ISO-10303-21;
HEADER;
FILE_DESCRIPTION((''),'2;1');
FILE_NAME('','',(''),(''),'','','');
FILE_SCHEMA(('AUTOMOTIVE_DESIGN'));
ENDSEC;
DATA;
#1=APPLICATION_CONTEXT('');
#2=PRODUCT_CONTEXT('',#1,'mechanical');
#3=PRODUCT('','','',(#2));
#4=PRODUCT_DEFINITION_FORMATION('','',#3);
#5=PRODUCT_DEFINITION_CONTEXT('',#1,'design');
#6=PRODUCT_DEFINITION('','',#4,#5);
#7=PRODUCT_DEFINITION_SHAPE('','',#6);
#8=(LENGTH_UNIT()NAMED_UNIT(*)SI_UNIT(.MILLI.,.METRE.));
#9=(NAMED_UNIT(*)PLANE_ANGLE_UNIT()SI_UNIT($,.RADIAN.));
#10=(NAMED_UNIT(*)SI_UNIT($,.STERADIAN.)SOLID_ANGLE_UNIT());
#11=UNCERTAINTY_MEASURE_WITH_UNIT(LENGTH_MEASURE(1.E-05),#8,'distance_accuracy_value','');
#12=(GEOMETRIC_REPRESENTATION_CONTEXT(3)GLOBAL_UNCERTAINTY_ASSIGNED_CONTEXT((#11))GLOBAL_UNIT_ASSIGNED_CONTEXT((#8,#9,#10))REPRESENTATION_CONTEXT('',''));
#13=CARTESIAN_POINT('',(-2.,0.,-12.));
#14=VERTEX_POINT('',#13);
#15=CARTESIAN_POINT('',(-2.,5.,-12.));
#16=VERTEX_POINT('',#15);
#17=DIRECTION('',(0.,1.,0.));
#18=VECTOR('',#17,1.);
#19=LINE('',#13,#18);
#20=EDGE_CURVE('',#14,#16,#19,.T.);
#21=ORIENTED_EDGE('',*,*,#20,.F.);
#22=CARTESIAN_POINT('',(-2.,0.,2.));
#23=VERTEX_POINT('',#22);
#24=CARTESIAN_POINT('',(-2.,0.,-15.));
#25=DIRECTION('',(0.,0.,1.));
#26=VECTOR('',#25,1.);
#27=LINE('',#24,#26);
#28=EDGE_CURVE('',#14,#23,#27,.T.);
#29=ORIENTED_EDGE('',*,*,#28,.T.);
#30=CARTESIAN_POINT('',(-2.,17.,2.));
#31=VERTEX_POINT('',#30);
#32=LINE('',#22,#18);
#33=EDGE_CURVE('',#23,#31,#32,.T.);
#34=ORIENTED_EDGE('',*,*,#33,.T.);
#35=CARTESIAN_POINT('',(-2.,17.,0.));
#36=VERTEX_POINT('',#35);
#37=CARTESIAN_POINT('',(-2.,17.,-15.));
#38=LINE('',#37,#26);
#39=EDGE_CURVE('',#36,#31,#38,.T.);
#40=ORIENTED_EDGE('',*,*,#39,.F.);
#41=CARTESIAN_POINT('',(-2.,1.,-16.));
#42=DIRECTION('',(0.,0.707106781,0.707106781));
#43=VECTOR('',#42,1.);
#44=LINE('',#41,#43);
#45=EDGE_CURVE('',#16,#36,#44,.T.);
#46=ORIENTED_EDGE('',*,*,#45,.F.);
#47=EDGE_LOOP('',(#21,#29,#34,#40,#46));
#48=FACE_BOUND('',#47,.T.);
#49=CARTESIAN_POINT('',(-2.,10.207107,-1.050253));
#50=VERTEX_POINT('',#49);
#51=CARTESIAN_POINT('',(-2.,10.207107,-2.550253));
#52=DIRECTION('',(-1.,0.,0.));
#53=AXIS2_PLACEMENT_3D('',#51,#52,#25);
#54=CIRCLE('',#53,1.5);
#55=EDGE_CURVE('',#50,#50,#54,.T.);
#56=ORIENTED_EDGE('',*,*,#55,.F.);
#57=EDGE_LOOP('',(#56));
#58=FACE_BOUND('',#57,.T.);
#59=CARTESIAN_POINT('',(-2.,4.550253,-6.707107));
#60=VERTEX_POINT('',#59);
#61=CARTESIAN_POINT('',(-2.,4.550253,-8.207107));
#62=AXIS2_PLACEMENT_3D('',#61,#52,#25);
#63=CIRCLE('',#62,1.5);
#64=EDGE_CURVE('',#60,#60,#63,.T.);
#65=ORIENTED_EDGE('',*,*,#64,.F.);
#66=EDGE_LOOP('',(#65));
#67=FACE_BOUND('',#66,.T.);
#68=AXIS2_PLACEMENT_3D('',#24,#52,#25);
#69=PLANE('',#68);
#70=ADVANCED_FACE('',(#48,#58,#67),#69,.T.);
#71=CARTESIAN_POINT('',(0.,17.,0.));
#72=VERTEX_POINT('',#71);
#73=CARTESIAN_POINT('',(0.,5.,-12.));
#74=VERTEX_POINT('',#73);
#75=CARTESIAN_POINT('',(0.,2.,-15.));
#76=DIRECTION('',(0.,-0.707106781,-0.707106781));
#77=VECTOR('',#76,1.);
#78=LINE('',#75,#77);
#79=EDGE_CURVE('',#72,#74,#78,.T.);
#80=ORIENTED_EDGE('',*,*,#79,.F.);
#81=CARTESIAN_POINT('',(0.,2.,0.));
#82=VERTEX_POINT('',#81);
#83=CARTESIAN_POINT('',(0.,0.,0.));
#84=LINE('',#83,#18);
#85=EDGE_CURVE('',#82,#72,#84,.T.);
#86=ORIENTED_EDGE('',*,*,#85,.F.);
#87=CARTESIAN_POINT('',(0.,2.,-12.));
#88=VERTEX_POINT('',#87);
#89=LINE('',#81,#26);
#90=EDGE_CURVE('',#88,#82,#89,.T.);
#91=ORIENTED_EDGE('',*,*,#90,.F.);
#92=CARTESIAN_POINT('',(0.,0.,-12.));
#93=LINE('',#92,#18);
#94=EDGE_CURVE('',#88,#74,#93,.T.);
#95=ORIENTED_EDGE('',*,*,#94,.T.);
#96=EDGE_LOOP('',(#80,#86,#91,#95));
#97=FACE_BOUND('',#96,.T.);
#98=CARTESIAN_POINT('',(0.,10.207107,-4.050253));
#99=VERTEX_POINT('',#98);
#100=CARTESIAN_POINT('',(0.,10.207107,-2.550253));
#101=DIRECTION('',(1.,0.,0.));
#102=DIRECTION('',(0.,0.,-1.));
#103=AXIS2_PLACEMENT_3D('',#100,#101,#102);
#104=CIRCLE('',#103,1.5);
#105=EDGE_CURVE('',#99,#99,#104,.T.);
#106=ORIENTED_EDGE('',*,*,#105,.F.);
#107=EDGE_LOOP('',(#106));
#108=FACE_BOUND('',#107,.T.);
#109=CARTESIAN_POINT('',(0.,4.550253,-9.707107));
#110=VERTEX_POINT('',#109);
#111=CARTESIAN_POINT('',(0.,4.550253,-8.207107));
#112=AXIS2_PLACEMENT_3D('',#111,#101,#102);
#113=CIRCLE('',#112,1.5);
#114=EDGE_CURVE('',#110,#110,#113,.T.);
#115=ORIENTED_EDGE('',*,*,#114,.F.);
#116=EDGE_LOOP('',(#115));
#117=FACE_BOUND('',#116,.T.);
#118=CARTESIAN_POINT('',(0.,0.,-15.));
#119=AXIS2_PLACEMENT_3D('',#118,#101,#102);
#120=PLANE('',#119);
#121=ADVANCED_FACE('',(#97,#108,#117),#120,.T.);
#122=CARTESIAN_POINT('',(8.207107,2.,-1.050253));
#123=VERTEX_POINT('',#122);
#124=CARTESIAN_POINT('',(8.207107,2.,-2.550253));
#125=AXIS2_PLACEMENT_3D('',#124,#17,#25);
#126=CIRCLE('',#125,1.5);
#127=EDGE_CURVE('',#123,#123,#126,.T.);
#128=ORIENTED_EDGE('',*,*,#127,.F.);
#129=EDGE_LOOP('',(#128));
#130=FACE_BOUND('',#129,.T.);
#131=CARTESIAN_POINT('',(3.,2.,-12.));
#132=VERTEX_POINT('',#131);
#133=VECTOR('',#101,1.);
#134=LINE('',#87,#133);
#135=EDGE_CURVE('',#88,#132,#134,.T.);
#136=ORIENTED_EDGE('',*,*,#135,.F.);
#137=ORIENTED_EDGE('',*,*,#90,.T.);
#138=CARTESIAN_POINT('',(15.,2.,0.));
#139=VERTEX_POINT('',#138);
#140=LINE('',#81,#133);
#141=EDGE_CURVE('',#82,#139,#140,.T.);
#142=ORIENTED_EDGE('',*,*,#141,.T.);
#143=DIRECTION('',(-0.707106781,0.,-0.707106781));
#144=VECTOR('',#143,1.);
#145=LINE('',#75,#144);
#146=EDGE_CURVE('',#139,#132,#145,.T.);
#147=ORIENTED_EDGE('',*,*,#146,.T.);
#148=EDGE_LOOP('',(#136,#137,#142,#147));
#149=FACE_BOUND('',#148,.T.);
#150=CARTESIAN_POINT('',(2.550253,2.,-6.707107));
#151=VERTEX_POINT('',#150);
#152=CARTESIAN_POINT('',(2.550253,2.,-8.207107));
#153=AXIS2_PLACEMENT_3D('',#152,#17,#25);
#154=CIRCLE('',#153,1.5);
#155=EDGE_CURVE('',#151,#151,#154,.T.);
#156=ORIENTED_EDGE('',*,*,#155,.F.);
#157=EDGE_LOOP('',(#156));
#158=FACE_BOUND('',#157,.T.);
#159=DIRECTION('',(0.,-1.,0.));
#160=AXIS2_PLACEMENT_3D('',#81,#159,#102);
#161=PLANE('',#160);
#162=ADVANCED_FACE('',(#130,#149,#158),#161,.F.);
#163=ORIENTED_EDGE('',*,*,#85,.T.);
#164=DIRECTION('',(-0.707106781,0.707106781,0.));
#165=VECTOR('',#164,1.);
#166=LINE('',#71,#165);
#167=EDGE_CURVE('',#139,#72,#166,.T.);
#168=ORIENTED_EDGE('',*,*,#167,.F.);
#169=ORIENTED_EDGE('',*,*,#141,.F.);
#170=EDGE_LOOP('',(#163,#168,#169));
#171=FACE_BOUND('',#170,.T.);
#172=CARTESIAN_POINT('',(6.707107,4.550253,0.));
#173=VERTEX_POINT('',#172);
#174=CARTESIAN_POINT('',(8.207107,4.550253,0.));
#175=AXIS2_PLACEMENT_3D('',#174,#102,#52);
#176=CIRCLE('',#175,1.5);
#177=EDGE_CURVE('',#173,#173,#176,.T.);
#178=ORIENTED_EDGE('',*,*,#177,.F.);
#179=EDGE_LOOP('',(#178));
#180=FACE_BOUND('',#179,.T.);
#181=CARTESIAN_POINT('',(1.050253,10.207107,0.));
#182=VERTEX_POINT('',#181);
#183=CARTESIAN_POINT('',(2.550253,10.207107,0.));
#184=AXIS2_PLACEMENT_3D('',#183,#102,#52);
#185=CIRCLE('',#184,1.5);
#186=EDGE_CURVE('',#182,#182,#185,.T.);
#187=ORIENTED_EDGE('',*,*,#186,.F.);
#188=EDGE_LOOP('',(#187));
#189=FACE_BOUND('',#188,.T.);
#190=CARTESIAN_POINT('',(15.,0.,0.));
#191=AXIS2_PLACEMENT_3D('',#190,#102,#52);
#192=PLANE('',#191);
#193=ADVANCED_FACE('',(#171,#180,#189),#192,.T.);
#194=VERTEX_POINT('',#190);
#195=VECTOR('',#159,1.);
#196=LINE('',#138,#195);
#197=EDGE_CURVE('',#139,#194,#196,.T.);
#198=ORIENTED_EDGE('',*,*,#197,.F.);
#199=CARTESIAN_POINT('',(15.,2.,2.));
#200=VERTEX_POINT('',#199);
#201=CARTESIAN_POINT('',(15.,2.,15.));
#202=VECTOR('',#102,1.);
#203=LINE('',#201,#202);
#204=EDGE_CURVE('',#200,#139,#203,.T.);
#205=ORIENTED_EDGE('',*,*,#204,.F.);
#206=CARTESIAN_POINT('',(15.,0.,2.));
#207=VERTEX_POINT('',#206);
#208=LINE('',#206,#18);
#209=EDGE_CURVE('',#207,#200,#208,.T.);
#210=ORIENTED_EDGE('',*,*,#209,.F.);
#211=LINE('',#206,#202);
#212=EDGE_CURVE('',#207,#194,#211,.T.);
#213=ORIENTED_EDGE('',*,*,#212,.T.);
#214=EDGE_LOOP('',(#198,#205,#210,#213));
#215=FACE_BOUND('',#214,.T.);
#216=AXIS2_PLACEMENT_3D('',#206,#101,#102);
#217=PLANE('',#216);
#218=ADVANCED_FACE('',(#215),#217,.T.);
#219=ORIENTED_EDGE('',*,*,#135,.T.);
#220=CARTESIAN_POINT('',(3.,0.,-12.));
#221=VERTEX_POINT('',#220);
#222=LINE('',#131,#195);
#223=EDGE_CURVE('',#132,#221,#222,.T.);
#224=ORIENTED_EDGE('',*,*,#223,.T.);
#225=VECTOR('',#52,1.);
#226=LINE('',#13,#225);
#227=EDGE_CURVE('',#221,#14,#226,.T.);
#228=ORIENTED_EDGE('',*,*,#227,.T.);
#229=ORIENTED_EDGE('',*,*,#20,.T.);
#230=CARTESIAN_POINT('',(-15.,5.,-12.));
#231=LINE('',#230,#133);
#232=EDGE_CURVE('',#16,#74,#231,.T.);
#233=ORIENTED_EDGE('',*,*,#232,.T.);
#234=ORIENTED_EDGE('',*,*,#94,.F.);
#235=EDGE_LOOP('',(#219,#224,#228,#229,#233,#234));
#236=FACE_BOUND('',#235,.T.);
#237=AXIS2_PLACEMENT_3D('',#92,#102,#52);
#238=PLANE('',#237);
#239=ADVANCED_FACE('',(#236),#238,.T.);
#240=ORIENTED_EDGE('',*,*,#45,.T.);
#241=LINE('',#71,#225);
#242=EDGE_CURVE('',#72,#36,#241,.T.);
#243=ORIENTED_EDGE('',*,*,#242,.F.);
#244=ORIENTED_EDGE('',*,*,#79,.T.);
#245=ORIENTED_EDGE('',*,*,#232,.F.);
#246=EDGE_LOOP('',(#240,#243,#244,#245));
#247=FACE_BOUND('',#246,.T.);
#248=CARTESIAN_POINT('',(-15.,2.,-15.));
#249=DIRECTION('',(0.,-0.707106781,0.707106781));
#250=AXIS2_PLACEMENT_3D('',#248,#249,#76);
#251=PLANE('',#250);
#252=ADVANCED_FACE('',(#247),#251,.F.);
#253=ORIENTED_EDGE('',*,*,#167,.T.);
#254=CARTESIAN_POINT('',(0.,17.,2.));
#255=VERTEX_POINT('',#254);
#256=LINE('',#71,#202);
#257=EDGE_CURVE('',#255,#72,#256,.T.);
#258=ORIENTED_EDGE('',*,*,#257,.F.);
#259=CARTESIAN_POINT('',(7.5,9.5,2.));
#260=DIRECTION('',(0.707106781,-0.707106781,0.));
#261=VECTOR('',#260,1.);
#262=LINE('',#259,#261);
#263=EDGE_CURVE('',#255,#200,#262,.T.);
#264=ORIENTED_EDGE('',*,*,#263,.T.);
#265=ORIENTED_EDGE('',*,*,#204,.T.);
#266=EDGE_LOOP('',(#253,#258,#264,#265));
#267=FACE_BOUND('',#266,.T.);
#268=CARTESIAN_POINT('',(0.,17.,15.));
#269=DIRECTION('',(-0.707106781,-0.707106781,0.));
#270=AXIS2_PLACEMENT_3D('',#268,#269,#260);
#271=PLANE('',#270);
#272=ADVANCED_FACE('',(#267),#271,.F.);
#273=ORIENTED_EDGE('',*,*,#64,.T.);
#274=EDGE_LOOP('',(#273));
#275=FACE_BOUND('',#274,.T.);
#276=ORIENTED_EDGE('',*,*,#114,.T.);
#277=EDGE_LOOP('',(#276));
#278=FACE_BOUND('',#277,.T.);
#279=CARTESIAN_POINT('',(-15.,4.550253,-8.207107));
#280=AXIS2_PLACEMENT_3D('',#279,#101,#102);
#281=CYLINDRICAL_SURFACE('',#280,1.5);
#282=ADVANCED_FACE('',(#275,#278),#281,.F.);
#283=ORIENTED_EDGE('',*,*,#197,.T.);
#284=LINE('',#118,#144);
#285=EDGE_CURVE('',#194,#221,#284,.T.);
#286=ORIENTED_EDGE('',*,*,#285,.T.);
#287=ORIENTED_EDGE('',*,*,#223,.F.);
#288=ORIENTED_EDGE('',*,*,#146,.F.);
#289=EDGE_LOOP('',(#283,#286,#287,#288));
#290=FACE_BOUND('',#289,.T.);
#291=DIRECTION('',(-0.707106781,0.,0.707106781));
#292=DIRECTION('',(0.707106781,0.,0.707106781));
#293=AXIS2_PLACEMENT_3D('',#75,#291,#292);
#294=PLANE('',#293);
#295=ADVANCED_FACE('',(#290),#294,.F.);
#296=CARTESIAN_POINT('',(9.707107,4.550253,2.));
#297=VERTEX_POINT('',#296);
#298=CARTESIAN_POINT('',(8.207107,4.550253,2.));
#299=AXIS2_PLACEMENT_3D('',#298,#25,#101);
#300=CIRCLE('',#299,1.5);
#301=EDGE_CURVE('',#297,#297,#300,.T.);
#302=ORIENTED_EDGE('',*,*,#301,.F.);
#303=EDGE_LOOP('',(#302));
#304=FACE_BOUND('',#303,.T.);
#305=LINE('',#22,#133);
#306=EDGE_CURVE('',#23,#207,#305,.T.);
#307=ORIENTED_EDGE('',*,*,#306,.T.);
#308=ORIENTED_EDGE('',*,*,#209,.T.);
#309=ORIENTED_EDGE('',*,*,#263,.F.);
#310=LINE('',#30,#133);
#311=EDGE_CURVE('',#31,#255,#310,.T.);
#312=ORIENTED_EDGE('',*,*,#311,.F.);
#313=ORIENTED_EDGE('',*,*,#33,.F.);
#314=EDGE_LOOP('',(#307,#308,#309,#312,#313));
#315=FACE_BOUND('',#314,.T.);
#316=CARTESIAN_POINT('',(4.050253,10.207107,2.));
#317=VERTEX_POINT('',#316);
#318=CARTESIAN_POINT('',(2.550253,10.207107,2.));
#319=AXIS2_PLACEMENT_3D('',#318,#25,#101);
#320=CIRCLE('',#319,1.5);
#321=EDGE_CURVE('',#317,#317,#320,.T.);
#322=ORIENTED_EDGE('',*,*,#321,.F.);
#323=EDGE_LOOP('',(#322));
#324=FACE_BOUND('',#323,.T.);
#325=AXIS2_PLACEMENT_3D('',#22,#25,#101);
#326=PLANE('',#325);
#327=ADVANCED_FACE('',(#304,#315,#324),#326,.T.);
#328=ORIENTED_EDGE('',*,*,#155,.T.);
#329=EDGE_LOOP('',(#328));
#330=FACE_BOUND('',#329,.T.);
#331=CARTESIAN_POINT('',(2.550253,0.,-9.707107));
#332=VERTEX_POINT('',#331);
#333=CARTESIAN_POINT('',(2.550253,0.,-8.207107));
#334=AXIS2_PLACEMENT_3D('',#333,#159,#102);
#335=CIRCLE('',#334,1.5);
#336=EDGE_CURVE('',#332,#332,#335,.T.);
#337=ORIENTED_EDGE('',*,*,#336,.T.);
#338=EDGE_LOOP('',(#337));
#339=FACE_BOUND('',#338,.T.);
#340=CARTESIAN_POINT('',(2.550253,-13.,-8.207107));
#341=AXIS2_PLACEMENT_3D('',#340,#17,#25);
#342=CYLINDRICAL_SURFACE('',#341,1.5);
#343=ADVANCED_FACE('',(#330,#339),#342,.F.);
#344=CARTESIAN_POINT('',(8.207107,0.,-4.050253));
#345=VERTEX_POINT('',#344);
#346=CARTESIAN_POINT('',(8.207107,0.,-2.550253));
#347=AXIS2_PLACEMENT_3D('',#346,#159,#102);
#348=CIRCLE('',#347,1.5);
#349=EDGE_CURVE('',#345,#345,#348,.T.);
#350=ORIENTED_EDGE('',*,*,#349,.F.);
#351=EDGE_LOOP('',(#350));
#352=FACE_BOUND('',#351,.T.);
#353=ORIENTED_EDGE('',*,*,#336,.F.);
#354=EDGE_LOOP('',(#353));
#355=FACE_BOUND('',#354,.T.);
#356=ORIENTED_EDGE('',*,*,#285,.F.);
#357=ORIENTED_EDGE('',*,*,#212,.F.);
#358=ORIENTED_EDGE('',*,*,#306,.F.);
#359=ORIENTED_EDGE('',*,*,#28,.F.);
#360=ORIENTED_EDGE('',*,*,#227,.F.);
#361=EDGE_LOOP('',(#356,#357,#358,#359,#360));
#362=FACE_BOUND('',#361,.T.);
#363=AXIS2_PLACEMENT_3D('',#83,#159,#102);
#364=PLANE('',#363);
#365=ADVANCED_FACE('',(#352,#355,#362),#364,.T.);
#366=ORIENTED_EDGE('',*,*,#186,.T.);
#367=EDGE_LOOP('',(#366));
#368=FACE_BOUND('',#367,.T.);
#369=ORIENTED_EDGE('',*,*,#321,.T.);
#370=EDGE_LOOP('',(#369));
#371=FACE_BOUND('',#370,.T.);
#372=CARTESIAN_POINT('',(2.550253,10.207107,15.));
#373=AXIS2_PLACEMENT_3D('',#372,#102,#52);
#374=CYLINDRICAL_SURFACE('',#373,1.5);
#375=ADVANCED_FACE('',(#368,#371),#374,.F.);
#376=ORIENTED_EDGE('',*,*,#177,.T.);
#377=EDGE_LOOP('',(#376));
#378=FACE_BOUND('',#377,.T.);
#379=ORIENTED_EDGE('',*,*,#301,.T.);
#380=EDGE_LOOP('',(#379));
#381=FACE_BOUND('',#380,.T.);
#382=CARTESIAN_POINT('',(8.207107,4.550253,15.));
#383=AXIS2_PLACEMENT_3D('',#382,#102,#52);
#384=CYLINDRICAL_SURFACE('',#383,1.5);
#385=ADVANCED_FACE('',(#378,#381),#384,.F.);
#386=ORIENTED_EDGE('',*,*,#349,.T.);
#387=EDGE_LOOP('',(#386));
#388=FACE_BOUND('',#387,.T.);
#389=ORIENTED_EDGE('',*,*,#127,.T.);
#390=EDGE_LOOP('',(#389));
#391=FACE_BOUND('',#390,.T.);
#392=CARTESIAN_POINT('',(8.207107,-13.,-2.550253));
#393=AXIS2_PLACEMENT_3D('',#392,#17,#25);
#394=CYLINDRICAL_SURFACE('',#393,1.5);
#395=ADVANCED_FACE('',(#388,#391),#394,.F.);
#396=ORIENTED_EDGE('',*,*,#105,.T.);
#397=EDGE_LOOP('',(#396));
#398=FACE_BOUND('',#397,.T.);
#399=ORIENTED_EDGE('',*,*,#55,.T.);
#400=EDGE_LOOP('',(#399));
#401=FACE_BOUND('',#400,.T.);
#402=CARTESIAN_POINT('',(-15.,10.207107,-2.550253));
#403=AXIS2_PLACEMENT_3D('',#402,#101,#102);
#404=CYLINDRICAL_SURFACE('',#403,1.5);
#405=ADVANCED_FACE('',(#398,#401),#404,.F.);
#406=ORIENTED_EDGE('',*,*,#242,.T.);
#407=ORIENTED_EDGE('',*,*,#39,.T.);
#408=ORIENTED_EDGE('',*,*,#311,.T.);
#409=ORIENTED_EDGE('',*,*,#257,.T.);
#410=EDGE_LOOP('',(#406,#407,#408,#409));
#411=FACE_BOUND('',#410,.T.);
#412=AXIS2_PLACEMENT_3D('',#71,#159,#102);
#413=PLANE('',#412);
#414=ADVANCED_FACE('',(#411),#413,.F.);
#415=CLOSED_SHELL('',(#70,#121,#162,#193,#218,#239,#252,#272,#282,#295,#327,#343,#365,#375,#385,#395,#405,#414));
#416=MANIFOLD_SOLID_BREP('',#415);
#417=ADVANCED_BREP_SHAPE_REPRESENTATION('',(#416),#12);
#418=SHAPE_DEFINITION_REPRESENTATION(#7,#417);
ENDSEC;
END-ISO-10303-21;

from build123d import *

# Parameters (mm, degrees)
BOSS_EXTRUDE1_DEPTH      = 2
BOSS_EXTRUDE2_DEPTH      = 15
BOSS_EXTRUDE2_DEPTH_BACK = 2
CUT_EXTRUDE1_DEPTH       = 15
CUT_EXTRUDE2_DEPTH       = 15
SKETCH5_R                = 1.5
CUT_EXTRUDE3_DEPTH       = 15
SKETCH6_R                = 1.5
CUT_EXTRUDE4_DEPTH       = 15
SKETCH7_R                = 1.5
CUT_EXTRUDE5_DEPTH       = 15
IZIM1_W                  = 17
IZIM1_H                  = 17
KES_EKSTR_ZYON1_DEPTH    = 3


with BuildPart() as part:
    # Sketch1 → Boss-Extrude1 (new body)
    with BuildSketch(Plane(origin=(0, 0, 0), x_dir=(1, 0, 0), z_dir=(0, 1, 0))):
        Polygon((0, 15), (15, 0), (0, 0), align=None)
    extrude(amount=BOSS_EXTRUDE1_DEPTH)

    # Sketch2 → Boss-Extrude2 (add, two sides: drawn at the far end of the back side and taken through both)
    with BuildSketch(Plane(origin=(0, 2, 0), x_dir=(1, 0, 0), z_dir=(0, 1, 0)).offset(-BOSS_EXTRUDE2_DEPTH_BACK)):
        Polygon((-2, -2), (15, -2), (15, 0), (0, 0), (0, 15), (-2, 15), align=None)
    extrude(amount=BOSS_EXTRUDE2_DEPTH + BOSS_EXTRUDE2_DEPTH_BACK)

    # Sketch3 → Cut-Extrude1 (cut)
    with BuildSketch(Plane(origin=(0, 0, 0), x_dir=(0, 0, -1), z_dir=(1, 0, 0))):
        Polygon((15, 2), (0, 17), (15, 17), align=None)
    extrude(amount=-CUT_EXTRUDE1_DEPTH, mode=Mode.SUBTRACT)

    # Sketch4 → Cut-Extrude2 (cut)
    with BuildSketch(Plane(origin=(0, 0, 0), x_dir=(-1, 0, 0), z_dir=(0, 0, -1))):
        Polygon((0, 17), (-15, 2), (-15, 17), align=None)
    extrude(amount=-CUT_EXTRUDE2_DEPTH, mode=Mode.SUBTRACT)

    # Sketch5 → Cut-Extrude3 (cut)
    with BuildSketch(Plane(origin=(0, 0, 0), x_dir=(0, 0, -1), z_dir=(1, 0, 0))):
        with Locations((2.550252532, 10.207106781)):
            Circle(SKETCH5_R)
        with Locations((8.207106781, 4.550252532)):
            Circle(SKETCH5_R)
    extrude(amount=-CUT_EXTRUDE3_DEPTH, mode=Mode.SUBTRACT)

    # Sketch6 → Cut-Extrude4 (cut)
    with BuildSketch(Plane(origin=(0, 0, 0), x_dir=(-1, 0, 0), z_dir=(0, 0, -1))):
        with Locations((-2.550252532, 10.207106781)):
            Circle(SKETCH6_R)
        with Locations((-8.207106781, 4.550252532)):
            Circle(SKETCH6_R)
    extrude(amount=-CUT_EXTRUDE4_DEPTH, mode=Mode.SUBTRACT)

    # Sketch7 → Cut-Extrude5 (cut)
    with BuildSketch(Plane(origin=(0, 2, 0), x_dir=(1, 0, 0), z_dir=(0, 1, 0))):
        with Locations(Location((2.550252532, 8.207106781, 0), (0, 0, 270))):
            Circle(SKETCH7_R)
        with Locations(Location((8.207106781, 2.550252532, 0), (0, 0, 270))):
            Circle(SKETCH7_R)
    extrude(amount=-CUT_EXTRUDE5_DEPTH, mode=Mode.SUBTRACT)

    # Çizim1 → Kes-Ekstrüzyon1 (cut)
    with BuildSketch(Plane(origin=(0, 0, -15), x_dir=(-1, 0, 0), z_dir=(0, 0, -1))):
        with Locations((-6.5, 8.5)):
            Rectangle(IZIM1_W, IZIM1_H)
    extrude(amount=-KES_EKSTR_ZYON1_DEPTH, mode=Mode.SUBTRACT)


solid = part.part
